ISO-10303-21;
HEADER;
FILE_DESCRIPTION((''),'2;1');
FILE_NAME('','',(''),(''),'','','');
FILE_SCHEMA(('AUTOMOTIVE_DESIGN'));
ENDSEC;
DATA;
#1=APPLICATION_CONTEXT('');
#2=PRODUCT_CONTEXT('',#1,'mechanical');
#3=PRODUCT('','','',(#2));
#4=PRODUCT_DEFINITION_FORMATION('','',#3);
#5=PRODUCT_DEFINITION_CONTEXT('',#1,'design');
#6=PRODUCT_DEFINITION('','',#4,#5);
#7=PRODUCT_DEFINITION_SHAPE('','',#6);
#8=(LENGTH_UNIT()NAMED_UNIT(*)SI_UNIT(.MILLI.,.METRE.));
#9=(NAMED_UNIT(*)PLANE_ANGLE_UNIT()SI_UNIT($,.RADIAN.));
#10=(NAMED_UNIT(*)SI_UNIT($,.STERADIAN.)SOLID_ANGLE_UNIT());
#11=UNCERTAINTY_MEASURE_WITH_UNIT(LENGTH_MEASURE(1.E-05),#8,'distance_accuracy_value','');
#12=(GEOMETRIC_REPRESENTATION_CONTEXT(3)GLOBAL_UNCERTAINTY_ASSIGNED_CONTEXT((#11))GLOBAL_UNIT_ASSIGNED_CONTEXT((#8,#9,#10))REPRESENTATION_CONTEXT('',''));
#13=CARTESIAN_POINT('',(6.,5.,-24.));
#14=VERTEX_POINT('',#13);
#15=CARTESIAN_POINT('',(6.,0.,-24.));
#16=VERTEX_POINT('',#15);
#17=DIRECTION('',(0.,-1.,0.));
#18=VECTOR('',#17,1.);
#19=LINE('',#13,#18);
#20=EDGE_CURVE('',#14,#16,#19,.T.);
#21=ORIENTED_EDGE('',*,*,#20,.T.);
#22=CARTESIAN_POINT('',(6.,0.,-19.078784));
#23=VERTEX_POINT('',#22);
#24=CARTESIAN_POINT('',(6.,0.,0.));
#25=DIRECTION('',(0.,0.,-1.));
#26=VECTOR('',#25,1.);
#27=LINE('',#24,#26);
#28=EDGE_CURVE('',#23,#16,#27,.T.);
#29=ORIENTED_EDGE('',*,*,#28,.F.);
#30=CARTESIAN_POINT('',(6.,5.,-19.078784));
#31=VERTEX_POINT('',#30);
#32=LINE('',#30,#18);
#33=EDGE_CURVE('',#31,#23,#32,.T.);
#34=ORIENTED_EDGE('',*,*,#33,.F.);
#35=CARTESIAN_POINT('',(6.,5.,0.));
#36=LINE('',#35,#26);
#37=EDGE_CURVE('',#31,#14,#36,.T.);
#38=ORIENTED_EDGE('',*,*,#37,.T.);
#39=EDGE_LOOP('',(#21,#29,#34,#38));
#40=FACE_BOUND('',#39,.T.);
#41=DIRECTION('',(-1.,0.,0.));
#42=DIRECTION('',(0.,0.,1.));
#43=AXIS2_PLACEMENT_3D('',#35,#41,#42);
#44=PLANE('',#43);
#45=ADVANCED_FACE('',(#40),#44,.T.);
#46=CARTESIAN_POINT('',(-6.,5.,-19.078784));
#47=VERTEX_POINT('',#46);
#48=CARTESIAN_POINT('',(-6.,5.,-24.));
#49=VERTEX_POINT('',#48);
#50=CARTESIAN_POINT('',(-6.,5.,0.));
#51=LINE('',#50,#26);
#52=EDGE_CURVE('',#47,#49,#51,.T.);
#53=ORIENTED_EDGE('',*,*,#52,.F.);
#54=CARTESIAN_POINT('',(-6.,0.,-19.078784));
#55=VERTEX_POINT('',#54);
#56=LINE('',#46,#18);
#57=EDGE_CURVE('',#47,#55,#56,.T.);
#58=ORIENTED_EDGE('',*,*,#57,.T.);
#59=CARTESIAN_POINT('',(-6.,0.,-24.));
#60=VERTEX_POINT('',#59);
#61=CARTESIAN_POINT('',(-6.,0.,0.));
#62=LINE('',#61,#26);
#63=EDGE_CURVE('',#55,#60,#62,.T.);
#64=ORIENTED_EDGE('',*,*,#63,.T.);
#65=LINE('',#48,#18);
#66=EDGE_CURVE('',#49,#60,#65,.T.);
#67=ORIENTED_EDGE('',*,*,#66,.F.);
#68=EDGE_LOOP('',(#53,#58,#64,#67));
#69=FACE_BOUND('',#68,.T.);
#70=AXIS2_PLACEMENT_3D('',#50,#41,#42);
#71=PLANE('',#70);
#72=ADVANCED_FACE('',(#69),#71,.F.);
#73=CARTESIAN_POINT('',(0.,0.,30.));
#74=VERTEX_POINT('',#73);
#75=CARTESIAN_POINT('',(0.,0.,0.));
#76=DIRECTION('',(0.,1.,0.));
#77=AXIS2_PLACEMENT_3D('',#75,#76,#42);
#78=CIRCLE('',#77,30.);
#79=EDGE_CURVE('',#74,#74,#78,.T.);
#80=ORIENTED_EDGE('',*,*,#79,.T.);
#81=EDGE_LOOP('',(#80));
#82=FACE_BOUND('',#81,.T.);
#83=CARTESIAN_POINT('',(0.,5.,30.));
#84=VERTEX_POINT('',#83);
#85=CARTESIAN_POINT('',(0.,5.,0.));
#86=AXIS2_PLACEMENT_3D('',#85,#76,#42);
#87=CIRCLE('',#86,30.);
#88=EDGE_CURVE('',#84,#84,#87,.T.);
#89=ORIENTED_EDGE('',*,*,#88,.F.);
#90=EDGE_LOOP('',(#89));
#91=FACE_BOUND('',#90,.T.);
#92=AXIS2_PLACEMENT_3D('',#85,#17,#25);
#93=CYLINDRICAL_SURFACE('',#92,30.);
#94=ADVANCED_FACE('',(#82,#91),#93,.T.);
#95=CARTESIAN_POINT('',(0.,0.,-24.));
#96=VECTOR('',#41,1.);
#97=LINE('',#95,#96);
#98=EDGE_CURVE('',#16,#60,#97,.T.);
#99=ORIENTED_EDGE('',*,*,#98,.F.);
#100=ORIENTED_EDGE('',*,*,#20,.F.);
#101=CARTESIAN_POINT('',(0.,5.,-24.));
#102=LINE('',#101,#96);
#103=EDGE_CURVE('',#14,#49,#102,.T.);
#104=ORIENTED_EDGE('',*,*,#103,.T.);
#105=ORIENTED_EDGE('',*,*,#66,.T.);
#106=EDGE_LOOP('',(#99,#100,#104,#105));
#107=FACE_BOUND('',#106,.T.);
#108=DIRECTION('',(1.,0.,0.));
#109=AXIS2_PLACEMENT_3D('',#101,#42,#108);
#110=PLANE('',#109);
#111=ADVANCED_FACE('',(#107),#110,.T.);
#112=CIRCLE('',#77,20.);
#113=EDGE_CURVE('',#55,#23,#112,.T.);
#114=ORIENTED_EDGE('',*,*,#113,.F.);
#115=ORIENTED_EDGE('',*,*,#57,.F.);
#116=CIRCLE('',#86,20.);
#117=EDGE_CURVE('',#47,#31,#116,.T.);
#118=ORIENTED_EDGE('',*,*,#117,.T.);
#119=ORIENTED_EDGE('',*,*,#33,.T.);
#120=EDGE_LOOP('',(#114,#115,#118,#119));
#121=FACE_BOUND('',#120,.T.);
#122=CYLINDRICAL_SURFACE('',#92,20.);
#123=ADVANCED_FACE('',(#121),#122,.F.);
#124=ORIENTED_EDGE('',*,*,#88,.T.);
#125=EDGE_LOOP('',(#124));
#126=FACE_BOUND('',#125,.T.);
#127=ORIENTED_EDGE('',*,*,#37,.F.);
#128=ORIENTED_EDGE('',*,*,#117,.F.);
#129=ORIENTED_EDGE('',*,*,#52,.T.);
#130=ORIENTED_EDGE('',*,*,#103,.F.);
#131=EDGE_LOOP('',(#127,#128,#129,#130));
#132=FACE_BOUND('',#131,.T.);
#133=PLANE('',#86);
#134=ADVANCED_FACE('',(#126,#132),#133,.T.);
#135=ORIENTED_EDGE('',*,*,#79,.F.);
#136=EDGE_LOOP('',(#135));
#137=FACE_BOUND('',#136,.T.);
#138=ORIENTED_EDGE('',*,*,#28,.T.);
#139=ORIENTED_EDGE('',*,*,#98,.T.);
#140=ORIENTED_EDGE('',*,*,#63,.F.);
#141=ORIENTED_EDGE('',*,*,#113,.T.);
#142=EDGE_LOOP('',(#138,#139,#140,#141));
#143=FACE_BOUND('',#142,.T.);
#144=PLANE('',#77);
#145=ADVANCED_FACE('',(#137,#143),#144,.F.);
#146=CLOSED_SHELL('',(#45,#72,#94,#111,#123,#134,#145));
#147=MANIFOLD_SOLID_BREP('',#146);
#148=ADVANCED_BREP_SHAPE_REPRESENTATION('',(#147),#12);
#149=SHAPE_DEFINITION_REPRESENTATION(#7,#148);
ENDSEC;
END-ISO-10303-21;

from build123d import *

# Parameters (mm, degrees)
SKIZZE1_R                       = 30
AUFSATZ_LINEAR_AUSTRAGEN1_DEPTH = 5
SKIZZE1_3_R                     = 20
SCHNITT_LINEAR_AUSTRAGEN1_DEPTH = 5
SCHNITT_LINEAR_AUSTRAGEN2_DEPTH = 5


with BuildPart() as part:
    # Skizze1 → Aufsatz-Linear austragen1 (new body)
    with BuildSketch(Plane(origin=(0, 0, 0), x_dir=(1, 0, 0), z_dir=(0, 1, 0))):
        with Locations(Location((0, 0, 0), (0, 0, 270))):  # turned: the seam where the file's is
            Circle(SKIZZE1_R)
    extrude(amount=AUFSATZ_LINEAR_AUSTRAGEN1_DEPTH)

    # Skizze1_3 → Schnitt-Linear austragen1 (cut)
    with BuildSketch(Plane(origin=(0, 0, 0), x_dir=(1, 0, 0), z_dir=(0, 1, 0))):
        with Locations(Location((0, 0, 0), (0, 0, 270))):  # turned: the seam where the file's is
            Circle(SKIZZE1_3_R)
    extrude(amount=SCHNITT_LINEAR_AUSTRAGEN1_DEPTH, mode=Mode.SUBTRACT)

    # Skizze1_4 → Schnitt-Linear austragen2 (cut)
    with BuildSketch(Plane(origin=(0, 0, 0), x_dir=(1, 0, 0), z_dir=(0, 1, 0))):
        with BuildLine():
            ThreePointArc((-6, 19.078784028), (0, 20), (6, 19.078784028))
            Line((6, 19.078784028), (6, 24))
            Line((6, 24), (-6, 24))
            Line((-6, 24), (-6, 19.078784028))
        make_face()
    extrude(amount=SCHNITT_LINEAR_AUSTRAGEN2_DEPTH, mode=Mode.SUBTRACT)


solid = part.part
